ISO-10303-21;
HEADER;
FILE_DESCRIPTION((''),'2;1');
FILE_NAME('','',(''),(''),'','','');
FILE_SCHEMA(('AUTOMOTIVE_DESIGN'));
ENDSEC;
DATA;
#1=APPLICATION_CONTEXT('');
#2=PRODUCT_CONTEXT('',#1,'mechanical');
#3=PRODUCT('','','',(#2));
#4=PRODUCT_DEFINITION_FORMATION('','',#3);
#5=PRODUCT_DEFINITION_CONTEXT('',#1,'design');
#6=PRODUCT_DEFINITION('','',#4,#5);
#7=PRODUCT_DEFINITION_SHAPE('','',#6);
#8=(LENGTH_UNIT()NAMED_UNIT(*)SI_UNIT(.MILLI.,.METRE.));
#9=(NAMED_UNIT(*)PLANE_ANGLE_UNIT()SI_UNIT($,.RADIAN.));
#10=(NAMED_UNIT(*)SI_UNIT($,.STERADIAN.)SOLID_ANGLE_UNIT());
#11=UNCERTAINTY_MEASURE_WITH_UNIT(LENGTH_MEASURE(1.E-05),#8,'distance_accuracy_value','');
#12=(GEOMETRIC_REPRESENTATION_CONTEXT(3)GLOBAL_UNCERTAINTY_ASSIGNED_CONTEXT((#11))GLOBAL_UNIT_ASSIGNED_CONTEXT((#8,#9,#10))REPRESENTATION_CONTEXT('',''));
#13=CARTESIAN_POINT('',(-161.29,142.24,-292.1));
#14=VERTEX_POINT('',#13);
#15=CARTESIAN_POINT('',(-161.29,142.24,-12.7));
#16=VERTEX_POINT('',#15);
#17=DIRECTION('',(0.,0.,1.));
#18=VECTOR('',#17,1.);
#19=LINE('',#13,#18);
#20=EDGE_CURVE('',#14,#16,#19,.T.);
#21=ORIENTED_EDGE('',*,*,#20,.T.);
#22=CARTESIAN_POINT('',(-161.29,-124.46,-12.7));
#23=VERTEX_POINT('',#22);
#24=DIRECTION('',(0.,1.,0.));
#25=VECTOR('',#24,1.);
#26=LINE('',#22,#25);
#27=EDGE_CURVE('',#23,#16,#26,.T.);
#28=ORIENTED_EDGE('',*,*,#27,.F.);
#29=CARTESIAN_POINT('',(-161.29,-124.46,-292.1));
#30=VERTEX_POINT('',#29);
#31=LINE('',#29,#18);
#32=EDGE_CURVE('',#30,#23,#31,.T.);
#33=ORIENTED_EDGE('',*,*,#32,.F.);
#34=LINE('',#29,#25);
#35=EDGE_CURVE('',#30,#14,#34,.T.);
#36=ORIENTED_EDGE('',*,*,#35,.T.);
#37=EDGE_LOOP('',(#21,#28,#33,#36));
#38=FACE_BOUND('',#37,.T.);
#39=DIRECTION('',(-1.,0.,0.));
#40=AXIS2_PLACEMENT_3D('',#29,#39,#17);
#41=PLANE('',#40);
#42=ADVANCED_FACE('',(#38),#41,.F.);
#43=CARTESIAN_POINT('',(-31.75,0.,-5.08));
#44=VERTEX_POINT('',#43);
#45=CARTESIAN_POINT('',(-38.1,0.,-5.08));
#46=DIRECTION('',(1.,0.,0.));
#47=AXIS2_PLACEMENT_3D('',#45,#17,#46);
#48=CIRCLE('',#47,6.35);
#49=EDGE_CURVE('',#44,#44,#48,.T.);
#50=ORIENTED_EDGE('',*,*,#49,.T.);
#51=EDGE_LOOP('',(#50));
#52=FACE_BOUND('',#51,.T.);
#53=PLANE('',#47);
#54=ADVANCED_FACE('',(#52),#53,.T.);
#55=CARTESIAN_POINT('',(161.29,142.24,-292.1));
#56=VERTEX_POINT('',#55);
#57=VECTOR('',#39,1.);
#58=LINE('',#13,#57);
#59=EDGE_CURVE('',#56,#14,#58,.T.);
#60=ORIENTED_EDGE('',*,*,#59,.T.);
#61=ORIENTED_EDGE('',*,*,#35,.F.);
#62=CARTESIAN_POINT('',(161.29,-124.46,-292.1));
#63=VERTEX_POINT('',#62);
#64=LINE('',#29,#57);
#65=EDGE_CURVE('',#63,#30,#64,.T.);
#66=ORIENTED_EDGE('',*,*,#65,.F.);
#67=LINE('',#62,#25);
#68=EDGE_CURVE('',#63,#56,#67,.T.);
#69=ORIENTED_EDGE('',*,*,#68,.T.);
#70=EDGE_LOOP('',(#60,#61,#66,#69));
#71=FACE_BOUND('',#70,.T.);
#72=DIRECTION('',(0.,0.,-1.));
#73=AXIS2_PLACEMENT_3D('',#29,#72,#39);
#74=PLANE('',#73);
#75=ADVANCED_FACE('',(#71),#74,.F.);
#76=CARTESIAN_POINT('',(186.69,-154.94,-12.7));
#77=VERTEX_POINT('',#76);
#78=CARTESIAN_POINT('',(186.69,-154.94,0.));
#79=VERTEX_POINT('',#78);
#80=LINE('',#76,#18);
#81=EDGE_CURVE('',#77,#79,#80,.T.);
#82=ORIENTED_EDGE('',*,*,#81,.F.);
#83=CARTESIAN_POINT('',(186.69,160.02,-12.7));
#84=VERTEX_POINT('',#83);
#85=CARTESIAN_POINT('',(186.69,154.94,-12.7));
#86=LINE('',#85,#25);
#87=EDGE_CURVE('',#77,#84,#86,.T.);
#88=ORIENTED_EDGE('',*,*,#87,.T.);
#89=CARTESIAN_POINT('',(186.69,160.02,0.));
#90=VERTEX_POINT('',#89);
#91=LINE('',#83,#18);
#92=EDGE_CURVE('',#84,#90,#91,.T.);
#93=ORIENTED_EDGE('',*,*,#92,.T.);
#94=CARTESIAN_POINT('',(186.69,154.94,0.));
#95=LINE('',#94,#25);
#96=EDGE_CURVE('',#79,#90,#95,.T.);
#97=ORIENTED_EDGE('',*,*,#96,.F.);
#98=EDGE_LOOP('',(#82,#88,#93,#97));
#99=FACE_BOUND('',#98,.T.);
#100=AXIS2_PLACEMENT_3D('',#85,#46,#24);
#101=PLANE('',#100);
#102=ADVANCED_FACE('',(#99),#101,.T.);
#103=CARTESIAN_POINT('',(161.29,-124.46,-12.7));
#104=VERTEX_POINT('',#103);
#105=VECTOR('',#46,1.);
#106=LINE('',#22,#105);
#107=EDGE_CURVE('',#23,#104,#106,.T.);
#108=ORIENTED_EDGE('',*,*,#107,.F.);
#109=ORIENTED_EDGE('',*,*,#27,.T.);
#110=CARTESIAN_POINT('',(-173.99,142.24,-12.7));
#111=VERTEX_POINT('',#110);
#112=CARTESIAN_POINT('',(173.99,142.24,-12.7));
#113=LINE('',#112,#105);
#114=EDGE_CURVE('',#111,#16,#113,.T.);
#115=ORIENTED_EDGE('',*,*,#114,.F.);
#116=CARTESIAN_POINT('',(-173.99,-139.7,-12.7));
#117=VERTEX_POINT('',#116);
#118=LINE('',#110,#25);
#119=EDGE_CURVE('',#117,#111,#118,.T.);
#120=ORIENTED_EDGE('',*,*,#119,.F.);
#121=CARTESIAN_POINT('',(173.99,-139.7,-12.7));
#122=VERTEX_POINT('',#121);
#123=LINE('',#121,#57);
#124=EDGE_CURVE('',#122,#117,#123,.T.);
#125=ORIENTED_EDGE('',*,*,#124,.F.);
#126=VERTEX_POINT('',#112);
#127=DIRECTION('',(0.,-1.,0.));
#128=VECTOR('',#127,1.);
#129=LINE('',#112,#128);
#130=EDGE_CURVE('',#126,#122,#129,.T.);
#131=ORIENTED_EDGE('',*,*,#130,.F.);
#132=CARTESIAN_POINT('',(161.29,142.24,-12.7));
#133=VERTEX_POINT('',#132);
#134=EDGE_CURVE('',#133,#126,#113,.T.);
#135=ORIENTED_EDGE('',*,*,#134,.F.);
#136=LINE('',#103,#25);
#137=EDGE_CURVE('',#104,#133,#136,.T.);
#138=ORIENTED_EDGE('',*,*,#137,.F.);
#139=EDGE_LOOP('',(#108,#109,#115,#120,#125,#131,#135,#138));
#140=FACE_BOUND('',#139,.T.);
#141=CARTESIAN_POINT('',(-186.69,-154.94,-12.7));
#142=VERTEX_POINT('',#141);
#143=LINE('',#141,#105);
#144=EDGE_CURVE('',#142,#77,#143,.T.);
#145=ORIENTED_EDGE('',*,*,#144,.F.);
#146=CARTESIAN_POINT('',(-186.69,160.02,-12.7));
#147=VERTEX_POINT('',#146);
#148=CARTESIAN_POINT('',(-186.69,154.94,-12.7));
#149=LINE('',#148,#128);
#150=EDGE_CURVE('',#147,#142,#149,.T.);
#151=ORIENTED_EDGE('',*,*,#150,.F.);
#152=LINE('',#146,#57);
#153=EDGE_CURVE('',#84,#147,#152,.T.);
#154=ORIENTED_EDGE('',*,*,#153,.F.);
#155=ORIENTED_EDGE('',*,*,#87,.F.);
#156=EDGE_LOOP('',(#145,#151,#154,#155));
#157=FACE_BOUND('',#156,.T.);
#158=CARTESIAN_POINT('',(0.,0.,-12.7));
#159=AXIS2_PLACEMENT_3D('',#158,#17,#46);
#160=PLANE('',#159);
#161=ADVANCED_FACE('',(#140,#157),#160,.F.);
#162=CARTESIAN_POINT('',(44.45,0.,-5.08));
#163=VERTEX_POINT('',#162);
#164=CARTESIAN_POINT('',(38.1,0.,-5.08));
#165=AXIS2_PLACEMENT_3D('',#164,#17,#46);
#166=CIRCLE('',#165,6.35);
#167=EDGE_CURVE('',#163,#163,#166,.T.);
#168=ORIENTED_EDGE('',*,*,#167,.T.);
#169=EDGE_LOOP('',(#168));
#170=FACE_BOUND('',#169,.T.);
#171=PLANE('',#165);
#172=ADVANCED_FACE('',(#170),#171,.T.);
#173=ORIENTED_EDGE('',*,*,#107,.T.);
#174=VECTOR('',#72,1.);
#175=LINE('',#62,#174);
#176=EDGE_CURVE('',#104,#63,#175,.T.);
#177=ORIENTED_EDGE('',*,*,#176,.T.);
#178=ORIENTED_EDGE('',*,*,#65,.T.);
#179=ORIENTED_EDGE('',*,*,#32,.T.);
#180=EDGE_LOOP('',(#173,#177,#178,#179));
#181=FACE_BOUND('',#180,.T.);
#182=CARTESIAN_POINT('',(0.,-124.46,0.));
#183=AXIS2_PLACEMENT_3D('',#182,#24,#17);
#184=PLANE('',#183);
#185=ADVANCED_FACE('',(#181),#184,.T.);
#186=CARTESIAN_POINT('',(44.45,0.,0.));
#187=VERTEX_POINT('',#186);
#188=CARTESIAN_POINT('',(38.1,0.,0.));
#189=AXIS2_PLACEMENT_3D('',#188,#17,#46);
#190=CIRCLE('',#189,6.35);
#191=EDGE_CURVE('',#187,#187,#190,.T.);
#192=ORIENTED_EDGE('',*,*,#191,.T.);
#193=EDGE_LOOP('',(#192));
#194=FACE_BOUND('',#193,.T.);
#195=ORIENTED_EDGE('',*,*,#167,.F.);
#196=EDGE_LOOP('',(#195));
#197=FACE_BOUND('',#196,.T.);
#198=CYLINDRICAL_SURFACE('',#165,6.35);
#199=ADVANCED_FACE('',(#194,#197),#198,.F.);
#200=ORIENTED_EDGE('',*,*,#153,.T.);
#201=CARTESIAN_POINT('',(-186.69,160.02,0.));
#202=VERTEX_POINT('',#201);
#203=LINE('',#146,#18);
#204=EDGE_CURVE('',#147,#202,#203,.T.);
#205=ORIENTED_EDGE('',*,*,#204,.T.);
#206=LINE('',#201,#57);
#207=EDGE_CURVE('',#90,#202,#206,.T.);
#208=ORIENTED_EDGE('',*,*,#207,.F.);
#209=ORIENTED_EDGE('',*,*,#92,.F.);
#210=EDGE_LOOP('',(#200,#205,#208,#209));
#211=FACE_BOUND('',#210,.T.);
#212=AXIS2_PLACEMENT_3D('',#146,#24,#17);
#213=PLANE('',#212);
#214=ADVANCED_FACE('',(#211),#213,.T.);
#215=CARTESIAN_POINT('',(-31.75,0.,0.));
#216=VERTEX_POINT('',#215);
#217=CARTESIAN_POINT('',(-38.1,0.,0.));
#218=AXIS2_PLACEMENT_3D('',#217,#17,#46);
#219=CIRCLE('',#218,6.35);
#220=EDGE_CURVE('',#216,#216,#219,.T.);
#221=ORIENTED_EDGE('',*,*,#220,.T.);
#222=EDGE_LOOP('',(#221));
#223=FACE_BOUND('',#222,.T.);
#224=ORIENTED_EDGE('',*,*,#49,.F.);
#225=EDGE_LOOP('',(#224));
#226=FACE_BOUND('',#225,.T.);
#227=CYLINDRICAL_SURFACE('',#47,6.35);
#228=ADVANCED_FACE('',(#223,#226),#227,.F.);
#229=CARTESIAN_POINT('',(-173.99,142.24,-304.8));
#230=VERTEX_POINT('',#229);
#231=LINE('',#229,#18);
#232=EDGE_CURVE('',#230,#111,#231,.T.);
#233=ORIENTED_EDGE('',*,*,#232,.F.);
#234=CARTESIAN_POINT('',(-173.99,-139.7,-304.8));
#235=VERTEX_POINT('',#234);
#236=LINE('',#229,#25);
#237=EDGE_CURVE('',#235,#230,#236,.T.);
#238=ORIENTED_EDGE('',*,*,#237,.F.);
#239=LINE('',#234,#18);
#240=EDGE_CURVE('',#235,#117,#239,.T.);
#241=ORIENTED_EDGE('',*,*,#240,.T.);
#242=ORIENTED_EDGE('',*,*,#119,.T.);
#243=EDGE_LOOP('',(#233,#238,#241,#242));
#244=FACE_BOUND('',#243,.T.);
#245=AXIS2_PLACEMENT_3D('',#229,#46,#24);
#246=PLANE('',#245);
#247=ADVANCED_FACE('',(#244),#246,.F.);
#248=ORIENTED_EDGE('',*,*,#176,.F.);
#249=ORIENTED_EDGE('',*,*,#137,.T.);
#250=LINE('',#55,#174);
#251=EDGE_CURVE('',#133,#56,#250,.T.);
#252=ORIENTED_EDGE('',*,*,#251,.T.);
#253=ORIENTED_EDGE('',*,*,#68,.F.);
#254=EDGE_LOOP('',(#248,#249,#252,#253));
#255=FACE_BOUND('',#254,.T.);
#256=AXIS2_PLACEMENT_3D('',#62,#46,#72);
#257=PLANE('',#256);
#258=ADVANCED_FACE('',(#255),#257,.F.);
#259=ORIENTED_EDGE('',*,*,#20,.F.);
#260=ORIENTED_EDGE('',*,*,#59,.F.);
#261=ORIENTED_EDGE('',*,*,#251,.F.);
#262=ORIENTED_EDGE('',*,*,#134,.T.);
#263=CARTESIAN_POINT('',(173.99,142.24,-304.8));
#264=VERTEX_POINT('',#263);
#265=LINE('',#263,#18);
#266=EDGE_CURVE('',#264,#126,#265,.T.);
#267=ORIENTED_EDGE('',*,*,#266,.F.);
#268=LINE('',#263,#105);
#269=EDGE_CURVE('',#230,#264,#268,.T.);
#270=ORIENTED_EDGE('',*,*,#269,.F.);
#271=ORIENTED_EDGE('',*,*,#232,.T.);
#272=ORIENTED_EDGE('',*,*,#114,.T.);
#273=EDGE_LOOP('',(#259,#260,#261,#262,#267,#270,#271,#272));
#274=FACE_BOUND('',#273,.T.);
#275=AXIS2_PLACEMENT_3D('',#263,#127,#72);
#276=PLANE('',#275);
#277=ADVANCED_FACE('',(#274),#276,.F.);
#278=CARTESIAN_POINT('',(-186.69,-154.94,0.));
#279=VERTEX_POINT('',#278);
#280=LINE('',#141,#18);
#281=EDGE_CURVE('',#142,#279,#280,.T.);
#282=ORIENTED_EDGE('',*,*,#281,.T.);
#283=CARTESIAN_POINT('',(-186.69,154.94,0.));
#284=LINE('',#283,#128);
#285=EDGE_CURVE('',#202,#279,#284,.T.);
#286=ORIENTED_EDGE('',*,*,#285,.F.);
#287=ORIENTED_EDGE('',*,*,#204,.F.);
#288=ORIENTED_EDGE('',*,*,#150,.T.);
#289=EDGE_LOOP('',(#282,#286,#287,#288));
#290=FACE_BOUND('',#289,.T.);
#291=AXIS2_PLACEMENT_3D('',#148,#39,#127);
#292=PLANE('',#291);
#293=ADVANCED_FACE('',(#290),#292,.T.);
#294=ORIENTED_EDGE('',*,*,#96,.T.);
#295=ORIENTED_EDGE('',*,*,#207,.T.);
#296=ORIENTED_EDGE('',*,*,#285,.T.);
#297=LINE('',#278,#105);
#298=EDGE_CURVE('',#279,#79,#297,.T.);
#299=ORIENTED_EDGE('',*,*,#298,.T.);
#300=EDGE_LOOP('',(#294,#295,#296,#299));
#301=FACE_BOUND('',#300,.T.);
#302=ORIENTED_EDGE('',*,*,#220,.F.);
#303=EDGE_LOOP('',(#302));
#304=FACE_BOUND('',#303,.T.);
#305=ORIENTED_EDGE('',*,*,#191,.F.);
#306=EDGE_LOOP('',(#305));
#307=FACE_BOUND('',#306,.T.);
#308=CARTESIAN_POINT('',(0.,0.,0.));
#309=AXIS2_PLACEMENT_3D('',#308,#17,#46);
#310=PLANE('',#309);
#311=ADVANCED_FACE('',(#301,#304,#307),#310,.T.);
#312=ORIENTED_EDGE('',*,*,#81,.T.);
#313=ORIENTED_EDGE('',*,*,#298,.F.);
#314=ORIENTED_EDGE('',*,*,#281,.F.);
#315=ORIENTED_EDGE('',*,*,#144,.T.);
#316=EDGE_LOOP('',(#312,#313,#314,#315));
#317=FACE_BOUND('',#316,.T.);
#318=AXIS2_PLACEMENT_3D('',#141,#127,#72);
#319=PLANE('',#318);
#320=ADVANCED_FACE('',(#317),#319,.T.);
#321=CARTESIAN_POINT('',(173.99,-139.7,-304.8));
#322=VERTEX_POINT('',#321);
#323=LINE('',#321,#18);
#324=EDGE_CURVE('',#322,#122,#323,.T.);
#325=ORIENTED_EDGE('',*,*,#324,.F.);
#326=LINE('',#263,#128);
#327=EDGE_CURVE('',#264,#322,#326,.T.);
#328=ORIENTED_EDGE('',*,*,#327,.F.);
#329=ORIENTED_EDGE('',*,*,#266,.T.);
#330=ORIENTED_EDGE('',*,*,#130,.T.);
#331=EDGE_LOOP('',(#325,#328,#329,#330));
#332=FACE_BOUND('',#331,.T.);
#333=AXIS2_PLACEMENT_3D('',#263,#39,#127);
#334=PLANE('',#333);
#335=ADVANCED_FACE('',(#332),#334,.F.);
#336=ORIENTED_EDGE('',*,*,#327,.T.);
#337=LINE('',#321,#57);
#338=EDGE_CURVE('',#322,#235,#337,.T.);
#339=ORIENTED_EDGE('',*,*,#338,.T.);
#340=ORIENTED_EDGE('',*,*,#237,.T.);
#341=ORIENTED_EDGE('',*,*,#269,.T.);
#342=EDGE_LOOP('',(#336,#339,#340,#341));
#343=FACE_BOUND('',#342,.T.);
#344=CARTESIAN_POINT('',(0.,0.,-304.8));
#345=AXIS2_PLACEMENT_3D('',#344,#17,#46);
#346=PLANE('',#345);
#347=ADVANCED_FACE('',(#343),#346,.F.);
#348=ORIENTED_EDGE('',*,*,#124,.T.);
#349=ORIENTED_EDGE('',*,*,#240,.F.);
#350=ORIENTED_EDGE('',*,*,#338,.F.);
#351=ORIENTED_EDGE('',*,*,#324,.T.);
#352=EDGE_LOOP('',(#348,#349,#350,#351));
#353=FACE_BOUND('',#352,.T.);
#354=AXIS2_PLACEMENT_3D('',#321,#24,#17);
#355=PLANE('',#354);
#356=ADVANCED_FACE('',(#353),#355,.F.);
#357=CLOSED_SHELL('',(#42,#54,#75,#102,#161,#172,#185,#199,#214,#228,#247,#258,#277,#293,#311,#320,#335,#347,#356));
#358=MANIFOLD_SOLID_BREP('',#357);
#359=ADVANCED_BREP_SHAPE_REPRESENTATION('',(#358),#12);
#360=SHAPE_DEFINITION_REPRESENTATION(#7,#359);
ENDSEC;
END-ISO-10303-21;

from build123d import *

# Parameters (mm, degrees)
SKETCH1_W           = 373.38
SKETCH1_H           = 309.88
BOSS_EXTRUDE1_DEPTH = 12.7
SKETCH2_W           = 347.98
SKETCH2_H           = 281.94
BOSS_EXTRUDE2_DEPTH = 292.1
SKETCH3_W           = 322.58
SKETCH3_H           = 279.4
CUT_EXTRUDE1_DEPTH  = 266.7
SKETCH4_R           = 6.35
CUT_EXTRUDE2_DEPTH  = 5.08
SKETCH5_W           = 373.38
SKETCH5_H           = 5.08
BOSS_EXTRUDE3_DEPTH = 12.7


with BuildPart() as part:
    # Sketch1 → Boss-Extrude1 (new body)
    with BuildSketch(Plane.XY):
        Rectangle(SKETCH1_W, SKETCH1_H)
    extrude(amount=-BOSS_EXTRUDE1_DEPTH)

    # Sketch2 → Boss-Extrude2 (add)
    with BuildSketch(Plane(origin=(0, 0, -12.7), x_dir=(-1, 0, 0), z_dir=(0, 0, -1))):
        with Locations((0, 1.27)):
            Rectangle(SKETCH2_W, SKETCH2_H)
    extrude(amount=BOSS_EXTRUDE2_DEPTH)

    # Sketch3 → Cut-Extrude1 (cut)
    with BuildSketch(Plane(origin=(0, 142.24, 0), x_dir=(1, 0, 0), z_dir=(0, 1, 0))):
        with Locations((0, 152.4)):
            Rectangle(SKETCH3_W, SKETCH3_H)
    extrude(amount=-CUT_EXTRUDE1_DEPTH, mode=Mode.SUBTRACT)

    # Sketch4 → Cut-Extrude2 (cut)
    with BuildSketch(Plane.XY):
        with Locations((-38.1, 0)):
            Circle(SKETCH4_R)
        with Locations((38.1, 0)):
            Circle(SKETCH4_R)
    extrude(amount=-CUT_EXTRUDE2_DEPTH, mode=Mode.SUBTRACT)

    # Sketch5 → Boss-Extrude3 (add)
    with BuildSketch(Plane.XY):
        with Locations((0, 157.48)):
            Rectangle(SKETCH5_W, SKETCH5_H)
    extrude(amount=-BOSS_EXTRUDE3_DEPTH)


solid = part.part
